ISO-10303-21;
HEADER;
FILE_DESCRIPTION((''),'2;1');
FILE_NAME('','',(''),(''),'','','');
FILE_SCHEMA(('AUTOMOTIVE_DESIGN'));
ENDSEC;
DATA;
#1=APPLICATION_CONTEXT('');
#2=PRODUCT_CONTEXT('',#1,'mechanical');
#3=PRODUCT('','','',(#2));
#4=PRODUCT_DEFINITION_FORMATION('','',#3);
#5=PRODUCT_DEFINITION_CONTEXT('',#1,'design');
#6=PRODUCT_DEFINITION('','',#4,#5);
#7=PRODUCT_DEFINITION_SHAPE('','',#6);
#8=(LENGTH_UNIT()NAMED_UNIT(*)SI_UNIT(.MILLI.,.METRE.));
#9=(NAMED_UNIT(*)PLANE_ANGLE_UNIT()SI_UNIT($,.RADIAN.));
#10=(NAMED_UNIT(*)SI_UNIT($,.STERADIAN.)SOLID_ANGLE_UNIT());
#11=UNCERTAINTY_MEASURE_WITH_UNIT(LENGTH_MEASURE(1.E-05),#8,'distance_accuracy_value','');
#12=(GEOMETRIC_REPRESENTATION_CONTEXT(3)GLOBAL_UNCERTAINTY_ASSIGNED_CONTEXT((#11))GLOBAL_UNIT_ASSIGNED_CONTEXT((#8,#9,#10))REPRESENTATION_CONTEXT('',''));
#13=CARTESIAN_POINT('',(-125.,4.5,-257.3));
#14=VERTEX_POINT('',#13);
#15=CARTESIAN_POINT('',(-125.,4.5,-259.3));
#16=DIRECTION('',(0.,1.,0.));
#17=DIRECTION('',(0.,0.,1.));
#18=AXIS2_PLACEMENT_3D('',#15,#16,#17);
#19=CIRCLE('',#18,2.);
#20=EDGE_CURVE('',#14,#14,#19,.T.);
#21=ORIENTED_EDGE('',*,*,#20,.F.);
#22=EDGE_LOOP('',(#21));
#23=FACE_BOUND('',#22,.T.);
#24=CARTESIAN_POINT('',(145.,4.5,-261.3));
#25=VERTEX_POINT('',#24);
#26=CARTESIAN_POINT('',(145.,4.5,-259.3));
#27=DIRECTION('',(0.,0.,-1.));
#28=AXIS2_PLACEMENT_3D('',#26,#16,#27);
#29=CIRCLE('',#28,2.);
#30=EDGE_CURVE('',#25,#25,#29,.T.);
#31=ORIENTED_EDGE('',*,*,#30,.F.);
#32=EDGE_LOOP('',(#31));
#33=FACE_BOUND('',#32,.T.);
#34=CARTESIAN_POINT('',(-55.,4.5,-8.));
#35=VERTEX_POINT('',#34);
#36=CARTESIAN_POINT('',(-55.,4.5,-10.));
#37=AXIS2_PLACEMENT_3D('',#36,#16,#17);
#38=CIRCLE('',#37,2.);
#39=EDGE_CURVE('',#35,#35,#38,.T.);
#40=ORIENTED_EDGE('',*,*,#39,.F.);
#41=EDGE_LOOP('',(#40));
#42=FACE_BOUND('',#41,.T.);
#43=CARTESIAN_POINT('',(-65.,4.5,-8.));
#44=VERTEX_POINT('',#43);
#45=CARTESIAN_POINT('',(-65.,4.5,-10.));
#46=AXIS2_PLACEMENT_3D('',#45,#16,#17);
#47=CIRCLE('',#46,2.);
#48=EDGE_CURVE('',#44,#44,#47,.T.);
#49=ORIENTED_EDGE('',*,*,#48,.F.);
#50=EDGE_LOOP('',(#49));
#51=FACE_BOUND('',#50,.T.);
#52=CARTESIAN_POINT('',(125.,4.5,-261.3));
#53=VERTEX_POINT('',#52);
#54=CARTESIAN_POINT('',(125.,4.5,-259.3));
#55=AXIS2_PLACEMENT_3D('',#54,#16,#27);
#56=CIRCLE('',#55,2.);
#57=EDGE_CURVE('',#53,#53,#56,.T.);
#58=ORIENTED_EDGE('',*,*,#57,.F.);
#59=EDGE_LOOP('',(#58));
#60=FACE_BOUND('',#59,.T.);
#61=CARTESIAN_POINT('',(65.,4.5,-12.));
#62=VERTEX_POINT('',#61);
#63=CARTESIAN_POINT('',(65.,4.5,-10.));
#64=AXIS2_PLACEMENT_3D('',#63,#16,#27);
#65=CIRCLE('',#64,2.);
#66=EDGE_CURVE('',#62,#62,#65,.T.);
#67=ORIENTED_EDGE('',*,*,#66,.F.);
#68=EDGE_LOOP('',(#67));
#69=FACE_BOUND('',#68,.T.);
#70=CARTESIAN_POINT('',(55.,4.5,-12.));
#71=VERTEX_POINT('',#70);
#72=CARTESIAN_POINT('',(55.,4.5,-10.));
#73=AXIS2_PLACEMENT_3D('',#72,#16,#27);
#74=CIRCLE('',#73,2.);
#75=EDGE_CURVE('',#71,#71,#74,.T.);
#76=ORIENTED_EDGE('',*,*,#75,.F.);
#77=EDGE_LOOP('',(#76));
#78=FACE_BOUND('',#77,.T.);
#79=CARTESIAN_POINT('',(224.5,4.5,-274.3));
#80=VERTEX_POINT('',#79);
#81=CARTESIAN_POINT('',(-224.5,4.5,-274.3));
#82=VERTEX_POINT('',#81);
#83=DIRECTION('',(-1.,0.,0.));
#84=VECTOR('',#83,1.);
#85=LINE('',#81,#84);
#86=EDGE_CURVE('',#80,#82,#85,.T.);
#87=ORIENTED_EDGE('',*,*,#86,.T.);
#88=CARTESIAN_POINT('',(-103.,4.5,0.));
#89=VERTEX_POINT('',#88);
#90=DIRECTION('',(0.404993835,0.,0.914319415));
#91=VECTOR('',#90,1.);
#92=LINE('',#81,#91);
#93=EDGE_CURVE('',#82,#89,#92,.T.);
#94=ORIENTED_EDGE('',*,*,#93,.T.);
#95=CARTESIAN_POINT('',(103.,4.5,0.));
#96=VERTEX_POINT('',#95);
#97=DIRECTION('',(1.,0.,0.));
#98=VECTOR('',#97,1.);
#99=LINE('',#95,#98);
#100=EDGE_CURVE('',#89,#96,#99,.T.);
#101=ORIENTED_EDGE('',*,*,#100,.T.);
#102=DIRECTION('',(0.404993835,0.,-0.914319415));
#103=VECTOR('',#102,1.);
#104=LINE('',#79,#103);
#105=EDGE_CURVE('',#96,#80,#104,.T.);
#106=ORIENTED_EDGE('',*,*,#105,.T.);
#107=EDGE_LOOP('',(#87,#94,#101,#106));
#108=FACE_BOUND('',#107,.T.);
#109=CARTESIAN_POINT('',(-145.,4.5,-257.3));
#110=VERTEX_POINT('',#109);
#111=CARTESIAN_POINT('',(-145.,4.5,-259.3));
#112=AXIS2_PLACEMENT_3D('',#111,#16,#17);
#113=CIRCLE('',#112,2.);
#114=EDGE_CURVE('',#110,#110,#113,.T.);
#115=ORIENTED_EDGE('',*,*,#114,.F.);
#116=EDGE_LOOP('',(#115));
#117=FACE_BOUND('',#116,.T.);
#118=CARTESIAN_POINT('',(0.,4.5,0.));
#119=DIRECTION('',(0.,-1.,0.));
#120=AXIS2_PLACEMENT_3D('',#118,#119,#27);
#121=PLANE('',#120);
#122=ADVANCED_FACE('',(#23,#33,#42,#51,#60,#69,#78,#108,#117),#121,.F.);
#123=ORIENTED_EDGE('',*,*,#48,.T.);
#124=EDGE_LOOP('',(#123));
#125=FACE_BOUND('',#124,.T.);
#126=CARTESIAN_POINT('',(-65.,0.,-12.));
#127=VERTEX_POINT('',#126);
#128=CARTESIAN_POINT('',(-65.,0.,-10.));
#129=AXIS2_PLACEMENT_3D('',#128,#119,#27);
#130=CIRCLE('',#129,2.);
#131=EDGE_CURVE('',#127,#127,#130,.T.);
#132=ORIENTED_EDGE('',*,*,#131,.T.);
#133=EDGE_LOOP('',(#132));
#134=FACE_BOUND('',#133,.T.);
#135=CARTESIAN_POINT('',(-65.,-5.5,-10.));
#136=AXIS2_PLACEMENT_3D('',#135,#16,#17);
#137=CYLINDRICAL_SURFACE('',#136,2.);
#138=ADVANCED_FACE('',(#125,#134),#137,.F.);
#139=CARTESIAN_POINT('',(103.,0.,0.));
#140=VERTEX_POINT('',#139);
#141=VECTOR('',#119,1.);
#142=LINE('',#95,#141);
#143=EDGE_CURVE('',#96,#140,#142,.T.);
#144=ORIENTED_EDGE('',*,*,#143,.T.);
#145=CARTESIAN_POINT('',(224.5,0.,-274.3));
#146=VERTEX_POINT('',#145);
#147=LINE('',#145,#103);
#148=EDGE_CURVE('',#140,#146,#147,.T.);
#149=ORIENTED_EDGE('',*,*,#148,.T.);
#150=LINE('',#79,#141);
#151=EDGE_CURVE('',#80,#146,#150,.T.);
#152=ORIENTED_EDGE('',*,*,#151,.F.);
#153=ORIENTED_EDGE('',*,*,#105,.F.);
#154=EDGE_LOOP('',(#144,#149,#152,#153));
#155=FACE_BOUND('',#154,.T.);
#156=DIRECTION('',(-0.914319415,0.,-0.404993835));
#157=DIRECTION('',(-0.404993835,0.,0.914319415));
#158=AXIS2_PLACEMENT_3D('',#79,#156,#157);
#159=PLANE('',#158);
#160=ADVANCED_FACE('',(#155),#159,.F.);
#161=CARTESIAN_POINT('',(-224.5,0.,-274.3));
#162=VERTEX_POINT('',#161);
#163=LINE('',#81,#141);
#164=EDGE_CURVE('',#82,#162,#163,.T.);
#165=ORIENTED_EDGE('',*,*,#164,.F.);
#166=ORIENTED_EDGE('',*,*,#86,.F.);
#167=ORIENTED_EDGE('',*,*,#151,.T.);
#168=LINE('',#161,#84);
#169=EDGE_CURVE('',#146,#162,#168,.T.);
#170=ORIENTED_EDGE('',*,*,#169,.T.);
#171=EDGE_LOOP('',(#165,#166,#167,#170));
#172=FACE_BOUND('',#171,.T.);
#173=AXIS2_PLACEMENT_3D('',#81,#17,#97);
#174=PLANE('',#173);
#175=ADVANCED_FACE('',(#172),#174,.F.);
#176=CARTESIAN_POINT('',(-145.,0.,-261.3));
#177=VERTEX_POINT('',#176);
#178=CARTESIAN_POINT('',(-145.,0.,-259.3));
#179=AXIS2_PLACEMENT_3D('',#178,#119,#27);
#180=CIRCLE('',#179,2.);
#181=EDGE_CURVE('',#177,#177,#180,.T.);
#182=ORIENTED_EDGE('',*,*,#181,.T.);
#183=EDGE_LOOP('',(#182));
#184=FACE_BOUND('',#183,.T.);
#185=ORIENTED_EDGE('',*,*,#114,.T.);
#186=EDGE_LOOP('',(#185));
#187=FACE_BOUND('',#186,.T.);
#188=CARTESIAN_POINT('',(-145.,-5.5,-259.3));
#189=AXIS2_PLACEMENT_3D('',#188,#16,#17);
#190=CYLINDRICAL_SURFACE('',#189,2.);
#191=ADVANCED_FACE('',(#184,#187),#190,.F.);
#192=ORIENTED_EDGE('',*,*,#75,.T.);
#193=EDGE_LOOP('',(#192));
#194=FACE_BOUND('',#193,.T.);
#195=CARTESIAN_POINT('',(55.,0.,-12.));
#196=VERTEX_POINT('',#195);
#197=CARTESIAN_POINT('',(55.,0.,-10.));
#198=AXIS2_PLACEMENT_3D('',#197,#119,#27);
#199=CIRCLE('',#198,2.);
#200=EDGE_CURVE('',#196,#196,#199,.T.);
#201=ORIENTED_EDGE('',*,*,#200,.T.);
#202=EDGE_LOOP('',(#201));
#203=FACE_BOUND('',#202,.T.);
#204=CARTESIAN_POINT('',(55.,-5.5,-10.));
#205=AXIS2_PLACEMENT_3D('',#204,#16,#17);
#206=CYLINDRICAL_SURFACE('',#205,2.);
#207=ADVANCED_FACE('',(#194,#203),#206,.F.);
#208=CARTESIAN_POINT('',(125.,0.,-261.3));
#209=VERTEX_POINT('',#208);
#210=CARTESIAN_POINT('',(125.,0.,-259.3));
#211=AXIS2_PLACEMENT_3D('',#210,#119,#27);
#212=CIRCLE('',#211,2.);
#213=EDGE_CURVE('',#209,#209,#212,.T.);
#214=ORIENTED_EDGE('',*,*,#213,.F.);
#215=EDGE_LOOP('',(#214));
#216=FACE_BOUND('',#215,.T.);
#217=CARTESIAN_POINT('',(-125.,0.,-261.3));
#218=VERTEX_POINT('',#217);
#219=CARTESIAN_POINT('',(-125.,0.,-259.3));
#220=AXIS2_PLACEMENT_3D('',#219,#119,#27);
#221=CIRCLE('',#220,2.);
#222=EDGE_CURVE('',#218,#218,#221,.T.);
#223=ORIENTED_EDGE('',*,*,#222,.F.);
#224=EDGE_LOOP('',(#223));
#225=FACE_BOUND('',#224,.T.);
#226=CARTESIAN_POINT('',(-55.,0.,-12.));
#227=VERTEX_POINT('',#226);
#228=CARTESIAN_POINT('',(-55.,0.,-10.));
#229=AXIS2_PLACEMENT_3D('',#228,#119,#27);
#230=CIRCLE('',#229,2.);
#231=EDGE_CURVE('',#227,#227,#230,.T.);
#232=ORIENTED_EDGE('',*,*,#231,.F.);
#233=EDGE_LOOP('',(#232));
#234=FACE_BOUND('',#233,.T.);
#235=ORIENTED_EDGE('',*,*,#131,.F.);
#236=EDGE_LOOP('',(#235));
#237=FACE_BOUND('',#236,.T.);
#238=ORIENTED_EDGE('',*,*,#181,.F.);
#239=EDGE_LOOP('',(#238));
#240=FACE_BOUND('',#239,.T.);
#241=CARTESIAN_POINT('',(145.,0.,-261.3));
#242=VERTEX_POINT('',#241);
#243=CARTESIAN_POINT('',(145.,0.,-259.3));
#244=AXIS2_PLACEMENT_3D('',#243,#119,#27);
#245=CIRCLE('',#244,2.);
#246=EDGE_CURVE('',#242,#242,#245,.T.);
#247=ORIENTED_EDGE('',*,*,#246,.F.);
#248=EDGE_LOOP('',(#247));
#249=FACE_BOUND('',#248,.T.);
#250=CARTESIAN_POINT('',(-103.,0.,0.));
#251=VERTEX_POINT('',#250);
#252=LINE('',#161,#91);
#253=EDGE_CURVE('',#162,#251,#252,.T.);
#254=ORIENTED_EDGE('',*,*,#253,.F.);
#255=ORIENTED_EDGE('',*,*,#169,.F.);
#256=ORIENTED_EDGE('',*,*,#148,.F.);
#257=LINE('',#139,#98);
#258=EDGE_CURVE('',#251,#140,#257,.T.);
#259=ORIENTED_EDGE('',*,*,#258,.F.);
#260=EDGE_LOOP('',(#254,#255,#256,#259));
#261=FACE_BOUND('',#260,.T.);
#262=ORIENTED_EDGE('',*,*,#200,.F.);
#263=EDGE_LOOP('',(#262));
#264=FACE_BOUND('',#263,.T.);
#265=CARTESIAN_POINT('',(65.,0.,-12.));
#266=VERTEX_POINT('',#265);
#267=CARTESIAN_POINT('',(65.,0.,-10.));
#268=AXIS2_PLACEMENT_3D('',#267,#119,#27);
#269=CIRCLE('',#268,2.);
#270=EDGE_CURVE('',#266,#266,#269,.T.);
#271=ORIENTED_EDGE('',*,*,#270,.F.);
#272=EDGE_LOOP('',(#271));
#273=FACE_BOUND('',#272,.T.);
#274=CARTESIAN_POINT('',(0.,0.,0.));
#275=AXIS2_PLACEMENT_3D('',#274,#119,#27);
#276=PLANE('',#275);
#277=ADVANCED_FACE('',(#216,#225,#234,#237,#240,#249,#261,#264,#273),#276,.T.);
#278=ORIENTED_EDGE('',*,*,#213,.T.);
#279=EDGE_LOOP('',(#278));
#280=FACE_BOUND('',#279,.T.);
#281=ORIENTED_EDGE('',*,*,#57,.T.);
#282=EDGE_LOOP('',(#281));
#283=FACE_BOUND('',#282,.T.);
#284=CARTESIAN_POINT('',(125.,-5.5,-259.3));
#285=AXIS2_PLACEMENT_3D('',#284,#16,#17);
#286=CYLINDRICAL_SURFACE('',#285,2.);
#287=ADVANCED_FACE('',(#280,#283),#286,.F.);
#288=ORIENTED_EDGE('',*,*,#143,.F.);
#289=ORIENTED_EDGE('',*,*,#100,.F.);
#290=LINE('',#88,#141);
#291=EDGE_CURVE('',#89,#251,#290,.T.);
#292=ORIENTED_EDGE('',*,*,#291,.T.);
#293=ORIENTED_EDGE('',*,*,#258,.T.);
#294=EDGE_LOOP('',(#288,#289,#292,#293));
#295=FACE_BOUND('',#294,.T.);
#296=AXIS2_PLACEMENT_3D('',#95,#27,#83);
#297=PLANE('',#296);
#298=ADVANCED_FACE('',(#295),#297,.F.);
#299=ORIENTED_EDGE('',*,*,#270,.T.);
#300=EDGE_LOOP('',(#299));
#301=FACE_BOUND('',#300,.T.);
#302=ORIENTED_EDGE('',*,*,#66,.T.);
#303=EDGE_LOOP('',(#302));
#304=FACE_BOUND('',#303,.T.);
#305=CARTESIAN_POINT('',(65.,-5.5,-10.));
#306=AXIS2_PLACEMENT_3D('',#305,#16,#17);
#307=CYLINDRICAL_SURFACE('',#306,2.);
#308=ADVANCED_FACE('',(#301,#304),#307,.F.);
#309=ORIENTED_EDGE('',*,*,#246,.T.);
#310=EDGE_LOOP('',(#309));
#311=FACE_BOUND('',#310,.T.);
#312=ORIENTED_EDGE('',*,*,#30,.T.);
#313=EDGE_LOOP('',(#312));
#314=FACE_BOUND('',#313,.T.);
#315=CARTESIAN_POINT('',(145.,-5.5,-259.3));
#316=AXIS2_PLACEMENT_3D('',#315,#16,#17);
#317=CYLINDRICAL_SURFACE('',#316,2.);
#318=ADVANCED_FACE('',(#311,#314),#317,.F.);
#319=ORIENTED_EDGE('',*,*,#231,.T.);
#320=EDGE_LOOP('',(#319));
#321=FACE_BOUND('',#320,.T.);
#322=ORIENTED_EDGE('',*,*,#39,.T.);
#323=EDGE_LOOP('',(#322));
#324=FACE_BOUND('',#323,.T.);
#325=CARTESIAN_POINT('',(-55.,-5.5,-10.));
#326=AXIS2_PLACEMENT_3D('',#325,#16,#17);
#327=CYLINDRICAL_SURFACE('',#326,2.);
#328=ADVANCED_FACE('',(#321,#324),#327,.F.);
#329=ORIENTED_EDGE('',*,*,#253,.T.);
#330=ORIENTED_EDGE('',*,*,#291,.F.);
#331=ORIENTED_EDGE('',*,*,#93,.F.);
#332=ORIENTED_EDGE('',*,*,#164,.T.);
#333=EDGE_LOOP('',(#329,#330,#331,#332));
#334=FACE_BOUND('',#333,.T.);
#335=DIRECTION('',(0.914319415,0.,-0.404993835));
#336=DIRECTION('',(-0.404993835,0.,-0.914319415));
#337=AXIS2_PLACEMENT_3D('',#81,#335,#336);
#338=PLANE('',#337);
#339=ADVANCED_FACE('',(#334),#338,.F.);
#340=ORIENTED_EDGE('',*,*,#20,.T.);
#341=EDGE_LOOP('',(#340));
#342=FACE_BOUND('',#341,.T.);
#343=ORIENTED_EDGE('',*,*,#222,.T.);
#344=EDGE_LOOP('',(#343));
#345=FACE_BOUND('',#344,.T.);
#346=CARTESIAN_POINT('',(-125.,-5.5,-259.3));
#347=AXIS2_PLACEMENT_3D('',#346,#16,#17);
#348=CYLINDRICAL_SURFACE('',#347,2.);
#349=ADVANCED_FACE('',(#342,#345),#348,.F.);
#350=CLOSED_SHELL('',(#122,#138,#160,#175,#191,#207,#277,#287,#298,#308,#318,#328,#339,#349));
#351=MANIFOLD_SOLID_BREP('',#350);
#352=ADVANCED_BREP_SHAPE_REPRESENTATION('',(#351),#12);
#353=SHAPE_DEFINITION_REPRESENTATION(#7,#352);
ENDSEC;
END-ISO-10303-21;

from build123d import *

# Parameters (mm, degrees)
EXTRUDE_1_DEPTH     = 4.5
SKETCH_3_R          = 2
CUT_EXTRUDE_1_DEPTH = 10


with BuildPart() as part:
    # 草图1 → 凸台-拉伸1 (new body)
    with BuildSketch(Plane(origin=(0, 0, 0), x_dir=(1, 0, 0), z_dir=(0, 1, 0))):
        Polygon((-224.5, 274.3), (224.5, 274.3), (103, 0), (-103, 0), align=None)
    extrude(amount=EXTRUDE_1_DEPTH)

    # 草图3 → 切除-拉伸1 (cut)
    with BuildSketch(Plane(origin=(0, 4.5, 0), x_dir=(1, 0, 0), z_dir=(0, 1, 0))):
        with Locations(Location((-145, 259.3, 0), (0, 0, 270))):
            Circle(SKETCH_3_R)
        with Locations(Location((-125, 259.3, 0), (0, 0, 270))):
            Circle(SKETCH_3_R)
        with Locations(Location((125, 259.3, 0), (0, 0, 90))):
            Circle(SKETCH_3_R)
        with Locations(Location((145, 259.3, 0), (0, 0, 90))):
            Circle(SKETCH_3_R)
        with Locations(Location((-65, 10, 0), (0, 0, 270))):
            Circle(SKETCH_3_R)
        with Locations(Location((-55, 10, 0), (0, 0, 270))):
            Circle(SKETCH_3_R)
        with Locations(Location((55, 10, 0), (0, 0, 90))):
            Circle(SKETCH_3_R)
        with Locations(Location((65, 10, 0), (0, 0, 90))):
            Circle(SKETCH_3_R)
    extrude(amount=-CUT_EXTRUDE_1_DEPTH, mode=Mode.SUBTRACT)


solid = part.part
